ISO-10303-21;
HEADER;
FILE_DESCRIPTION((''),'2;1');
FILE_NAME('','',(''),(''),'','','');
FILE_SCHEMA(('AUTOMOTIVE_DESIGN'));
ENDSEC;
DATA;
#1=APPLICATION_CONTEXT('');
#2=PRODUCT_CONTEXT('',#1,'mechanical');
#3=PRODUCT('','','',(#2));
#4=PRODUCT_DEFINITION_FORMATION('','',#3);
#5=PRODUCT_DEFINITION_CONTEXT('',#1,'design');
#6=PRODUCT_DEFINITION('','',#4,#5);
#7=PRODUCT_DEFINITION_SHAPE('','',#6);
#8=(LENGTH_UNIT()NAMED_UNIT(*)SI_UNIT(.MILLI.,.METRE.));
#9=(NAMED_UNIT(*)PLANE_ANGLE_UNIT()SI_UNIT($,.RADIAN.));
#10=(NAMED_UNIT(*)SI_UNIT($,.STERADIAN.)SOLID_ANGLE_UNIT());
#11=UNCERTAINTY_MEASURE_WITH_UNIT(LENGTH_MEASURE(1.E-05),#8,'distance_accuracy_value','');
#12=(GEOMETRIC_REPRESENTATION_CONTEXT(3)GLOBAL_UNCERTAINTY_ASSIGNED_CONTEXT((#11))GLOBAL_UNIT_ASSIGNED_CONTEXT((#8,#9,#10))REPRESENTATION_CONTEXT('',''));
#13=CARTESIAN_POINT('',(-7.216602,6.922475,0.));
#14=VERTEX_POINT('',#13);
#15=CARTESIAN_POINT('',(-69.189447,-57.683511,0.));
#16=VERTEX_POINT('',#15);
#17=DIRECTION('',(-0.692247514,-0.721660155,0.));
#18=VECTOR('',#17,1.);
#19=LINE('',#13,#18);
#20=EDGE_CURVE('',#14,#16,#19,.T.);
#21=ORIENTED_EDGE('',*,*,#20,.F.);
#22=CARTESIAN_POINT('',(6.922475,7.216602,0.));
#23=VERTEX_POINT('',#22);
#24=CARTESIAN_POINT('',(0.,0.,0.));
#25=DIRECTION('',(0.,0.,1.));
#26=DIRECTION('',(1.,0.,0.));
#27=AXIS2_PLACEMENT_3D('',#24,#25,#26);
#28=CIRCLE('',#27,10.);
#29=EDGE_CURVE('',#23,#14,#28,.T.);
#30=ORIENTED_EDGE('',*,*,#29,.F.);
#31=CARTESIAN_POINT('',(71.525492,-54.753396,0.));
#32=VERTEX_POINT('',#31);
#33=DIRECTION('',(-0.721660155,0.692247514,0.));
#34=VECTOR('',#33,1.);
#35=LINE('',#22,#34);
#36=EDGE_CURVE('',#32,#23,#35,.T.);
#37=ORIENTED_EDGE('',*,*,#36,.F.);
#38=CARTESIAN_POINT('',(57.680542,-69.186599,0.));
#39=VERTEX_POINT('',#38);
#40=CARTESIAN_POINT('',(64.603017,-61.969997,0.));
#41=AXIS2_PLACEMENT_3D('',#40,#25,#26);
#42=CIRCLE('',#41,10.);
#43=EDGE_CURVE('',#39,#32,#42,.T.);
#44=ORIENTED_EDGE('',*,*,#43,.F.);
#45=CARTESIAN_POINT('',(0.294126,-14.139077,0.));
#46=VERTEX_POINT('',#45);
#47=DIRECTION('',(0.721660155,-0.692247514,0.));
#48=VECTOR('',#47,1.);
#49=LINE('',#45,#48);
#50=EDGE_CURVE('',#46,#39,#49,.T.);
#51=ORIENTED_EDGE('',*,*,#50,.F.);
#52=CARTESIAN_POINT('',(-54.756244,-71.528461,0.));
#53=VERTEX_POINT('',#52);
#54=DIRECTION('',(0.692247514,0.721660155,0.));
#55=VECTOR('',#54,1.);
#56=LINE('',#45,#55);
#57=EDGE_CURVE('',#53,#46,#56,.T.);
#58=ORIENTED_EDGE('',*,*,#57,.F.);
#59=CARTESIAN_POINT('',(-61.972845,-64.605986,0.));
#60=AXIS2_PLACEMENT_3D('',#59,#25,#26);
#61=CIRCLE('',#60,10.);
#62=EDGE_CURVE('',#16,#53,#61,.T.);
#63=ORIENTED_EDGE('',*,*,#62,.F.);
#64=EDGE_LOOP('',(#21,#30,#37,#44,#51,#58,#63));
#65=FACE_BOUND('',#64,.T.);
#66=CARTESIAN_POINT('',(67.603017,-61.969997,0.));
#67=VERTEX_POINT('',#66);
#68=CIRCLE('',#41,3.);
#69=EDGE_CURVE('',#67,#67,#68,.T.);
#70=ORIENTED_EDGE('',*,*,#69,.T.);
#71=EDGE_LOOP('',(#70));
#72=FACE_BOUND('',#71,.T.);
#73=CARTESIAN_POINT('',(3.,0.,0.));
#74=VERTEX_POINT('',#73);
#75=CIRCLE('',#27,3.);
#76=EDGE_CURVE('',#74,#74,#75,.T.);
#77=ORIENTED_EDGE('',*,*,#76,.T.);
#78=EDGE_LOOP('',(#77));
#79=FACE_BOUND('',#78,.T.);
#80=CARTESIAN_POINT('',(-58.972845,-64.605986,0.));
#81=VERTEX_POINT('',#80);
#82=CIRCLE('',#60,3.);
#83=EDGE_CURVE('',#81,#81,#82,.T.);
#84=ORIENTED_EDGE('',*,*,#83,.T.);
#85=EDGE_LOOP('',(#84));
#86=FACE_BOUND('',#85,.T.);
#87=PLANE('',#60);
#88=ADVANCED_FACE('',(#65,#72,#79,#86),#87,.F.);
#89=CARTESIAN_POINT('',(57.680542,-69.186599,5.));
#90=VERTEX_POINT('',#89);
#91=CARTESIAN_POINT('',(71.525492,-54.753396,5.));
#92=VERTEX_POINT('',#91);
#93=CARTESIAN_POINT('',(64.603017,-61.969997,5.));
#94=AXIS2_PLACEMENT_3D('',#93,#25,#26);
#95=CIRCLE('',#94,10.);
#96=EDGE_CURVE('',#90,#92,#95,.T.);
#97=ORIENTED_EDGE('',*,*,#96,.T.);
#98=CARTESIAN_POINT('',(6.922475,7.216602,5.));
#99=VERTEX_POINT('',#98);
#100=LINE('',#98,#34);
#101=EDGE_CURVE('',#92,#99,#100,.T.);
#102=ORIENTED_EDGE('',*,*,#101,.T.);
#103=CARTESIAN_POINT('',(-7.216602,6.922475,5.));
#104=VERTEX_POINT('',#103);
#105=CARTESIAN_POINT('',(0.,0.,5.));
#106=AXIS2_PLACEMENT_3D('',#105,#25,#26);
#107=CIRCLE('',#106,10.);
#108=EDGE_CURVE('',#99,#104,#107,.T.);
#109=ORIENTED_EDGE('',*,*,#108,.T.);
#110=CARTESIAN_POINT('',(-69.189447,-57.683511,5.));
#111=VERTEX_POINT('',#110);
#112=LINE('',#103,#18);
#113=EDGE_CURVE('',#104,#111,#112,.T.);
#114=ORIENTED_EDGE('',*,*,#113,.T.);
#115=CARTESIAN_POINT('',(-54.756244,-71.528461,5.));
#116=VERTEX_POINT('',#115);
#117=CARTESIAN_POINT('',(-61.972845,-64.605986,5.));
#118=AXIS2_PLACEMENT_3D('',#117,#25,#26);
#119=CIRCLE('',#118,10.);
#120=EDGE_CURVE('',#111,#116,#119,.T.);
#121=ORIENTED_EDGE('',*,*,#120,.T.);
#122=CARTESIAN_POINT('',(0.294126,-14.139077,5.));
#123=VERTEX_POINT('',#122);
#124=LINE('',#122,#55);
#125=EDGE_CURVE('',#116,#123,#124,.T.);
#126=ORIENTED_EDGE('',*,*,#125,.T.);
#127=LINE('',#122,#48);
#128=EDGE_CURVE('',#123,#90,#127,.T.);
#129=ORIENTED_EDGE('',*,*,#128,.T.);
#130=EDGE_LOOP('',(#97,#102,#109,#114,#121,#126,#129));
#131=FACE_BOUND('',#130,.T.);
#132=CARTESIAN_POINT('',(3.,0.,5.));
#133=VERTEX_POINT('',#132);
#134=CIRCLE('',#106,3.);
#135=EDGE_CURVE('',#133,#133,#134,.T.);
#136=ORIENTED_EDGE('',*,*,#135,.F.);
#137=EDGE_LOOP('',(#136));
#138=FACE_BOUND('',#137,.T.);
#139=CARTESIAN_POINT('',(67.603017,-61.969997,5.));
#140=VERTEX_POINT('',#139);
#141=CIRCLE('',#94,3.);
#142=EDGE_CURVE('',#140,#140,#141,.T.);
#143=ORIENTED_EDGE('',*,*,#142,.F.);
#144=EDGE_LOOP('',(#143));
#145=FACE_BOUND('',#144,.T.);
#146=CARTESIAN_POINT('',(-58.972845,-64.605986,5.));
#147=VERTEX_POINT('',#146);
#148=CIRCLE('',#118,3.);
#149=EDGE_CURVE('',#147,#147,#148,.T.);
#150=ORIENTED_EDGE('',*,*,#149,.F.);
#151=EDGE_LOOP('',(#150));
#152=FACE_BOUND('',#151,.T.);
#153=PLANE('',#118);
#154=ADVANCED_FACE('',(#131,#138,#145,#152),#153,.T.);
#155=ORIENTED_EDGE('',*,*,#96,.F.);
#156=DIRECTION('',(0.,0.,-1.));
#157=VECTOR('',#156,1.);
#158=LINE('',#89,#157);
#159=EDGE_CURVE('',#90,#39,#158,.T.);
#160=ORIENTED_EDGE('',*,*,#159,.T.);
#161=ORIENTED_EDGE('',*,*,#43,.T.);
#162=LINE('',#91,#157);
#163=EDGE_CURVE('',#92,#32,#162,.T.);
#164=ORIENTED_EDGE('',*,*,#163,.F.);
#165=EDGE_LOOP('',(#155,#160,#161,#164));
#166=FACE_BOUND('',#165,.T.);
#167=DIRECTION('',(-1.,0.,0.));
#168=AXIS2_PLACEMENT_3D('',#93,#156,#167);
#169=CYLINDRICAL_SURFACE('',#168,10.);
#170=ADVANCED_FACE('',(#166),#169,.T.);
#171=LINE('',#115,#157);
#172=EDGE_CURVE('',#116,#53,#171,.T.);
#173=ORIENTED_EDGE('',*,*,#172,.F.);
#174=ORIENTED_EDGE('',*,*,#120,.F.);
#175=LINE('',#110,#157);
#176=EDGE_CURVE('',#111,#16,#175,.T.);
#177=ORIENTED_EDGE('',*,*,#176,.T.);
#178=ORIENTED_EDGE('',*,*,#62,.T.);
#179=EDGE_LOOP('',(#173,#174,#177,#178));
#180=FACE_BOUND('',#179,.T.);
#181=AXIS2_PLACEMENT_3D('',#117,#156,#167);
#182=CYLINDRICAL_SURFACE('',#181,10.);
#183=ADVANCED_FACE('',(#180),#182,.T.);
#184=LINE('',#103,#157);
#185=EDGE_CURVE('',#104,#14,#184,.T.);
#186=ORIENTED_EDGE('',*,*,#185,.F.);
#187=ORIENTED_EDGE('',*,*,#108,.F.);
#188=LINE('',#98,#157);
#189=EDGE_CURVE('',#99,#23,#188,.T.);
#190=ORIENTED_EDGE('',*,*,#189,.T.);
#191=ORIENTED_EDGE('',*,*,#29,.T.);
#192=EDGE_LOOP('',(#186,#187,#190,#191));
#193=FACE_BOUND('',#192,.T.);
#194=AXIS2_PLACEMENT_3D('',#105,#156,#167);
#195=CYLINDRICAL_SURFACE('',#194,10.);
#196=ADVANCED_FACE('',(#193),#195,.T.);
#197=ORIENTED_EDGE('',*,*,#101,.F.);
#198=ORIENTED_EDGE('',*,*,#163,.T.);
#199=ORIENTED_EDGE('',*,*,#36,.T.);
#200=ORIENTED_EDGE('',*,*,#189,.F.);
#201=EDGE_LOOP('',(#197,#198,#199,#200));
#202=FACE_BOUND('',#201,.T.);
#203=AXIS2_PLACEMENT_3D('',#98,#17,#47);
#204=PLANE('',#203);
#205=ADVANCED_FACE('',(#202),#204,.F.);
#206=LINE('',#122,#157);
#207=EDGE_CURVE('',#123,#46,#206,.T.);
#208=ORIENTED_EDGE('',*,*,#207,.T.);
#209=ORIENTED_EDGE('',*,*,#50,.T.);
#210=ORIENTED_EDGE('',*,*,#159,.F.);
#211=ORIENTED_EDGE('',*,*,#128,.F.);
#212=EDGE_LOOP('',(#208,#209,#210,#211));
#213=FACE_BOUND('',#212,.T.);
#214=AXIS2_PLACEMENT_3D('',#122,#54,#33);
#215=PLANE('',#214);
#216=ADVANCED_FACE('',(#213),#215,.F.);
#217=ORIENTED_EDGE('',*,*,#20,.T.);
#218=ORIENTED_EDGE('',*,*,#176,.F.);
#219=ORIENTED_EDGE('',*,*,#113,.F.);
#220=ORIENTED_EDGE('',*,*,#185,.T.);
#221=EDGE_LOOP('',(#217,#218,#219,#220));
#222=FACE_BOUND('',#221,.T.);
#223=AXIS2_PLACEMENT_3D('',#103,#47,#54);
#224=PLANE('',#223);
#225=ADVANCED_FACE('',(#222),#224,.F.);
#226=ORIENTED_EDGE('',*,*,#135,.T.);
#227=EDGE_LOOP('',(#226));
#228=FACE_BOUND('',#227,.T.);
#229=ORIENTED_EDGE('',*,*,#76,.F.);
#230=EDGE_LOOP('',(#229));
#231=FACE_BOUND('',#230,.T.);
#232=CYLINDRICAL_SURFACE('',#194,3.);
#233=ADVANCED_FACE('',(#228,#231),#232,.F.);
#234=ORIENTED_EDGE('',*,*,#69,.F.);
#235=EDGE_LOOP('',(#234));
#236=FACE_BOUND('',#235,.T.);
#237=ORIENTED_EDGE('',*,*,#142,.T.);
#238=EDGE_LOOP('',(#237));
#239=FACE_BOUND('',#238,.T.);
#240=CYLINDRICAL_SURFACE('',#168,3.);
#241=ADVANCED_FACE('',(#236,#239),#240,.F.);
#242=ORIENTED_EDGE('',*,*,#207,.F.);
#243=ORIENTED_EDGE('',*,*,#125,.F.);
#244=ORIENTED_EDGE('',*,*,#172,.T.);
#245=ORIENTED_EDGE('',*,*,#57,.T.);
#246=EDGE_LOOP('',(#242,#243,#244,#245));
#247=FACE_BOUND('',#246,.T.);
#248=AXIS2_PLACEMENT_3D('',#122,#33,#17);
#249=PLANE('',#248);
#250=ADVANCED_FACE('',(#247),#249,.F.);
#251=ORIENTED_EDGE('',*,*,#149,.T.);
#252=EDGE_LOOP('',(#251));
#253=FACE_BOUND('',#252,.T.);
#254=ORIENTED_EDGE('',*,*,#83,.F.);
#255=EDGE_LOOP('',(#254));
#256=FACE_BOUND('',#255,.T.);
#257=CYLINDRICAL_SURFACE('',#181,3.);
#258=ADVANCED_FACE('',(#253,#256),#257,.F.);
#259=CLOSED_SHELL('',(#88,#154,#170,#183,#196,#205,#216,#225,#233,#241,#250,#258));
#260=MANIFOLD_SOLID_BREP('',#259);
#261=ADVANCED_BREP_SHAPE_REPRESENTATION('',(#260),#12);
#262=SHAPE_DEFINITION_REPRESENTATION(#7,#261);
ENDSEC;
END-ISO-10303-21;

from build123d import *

# Parameters (mm, degrees)
SKETCH1_R           = 3
BOSS_EXTRUDE2_DEPTH = 5


with BuildPart() as part:
    # Sketch1 → Boss-Extrude2 (new body)
    with BuildSketch(Plane.XY):
        with BuildLine():
            Line((0.29412641, -14.13907669), (-54.75624353, -71.528460831))
            ThreePointArc((-54.75624353, -71.528460831), (-68.895320221, -71.822587241), (-69.18944663, -57.68351055))
            Line((-69.18944663, -57.68351055), (-7.21660155, 6.92247514))
            ThreePointArc((-7.21660155, 6.92247514), (-0.207978779, 9.997837007), (6.92247514, 7.21660155))
            Line((6.92247514, 7.21660155), (71.525492216, -54.753395907))
            ThreePointArc((71.525492216, -54.753395907), (71.819618625, -68.892472597), (57.680541935, -69.186599007))
            Line((57.680541935, -69.186599007), (0.29412641, -14.13907669))
        make_face()
        with Locations((-61.97284508, -64.605985691)):
            Circle(SKETCH1_R, mode=Mode.SUBTRACT)
        with Locations((64.603017075, -61.969997457)):
            Circle(SKETCH1_R, mode=Mode.SUBTRACT)
        Circle(SKETCH1_R, mode=Mode.SUBTRACT)
    extrude(amount=BOSS_EXTRUDE2_DEPTH)


solid = part.part
